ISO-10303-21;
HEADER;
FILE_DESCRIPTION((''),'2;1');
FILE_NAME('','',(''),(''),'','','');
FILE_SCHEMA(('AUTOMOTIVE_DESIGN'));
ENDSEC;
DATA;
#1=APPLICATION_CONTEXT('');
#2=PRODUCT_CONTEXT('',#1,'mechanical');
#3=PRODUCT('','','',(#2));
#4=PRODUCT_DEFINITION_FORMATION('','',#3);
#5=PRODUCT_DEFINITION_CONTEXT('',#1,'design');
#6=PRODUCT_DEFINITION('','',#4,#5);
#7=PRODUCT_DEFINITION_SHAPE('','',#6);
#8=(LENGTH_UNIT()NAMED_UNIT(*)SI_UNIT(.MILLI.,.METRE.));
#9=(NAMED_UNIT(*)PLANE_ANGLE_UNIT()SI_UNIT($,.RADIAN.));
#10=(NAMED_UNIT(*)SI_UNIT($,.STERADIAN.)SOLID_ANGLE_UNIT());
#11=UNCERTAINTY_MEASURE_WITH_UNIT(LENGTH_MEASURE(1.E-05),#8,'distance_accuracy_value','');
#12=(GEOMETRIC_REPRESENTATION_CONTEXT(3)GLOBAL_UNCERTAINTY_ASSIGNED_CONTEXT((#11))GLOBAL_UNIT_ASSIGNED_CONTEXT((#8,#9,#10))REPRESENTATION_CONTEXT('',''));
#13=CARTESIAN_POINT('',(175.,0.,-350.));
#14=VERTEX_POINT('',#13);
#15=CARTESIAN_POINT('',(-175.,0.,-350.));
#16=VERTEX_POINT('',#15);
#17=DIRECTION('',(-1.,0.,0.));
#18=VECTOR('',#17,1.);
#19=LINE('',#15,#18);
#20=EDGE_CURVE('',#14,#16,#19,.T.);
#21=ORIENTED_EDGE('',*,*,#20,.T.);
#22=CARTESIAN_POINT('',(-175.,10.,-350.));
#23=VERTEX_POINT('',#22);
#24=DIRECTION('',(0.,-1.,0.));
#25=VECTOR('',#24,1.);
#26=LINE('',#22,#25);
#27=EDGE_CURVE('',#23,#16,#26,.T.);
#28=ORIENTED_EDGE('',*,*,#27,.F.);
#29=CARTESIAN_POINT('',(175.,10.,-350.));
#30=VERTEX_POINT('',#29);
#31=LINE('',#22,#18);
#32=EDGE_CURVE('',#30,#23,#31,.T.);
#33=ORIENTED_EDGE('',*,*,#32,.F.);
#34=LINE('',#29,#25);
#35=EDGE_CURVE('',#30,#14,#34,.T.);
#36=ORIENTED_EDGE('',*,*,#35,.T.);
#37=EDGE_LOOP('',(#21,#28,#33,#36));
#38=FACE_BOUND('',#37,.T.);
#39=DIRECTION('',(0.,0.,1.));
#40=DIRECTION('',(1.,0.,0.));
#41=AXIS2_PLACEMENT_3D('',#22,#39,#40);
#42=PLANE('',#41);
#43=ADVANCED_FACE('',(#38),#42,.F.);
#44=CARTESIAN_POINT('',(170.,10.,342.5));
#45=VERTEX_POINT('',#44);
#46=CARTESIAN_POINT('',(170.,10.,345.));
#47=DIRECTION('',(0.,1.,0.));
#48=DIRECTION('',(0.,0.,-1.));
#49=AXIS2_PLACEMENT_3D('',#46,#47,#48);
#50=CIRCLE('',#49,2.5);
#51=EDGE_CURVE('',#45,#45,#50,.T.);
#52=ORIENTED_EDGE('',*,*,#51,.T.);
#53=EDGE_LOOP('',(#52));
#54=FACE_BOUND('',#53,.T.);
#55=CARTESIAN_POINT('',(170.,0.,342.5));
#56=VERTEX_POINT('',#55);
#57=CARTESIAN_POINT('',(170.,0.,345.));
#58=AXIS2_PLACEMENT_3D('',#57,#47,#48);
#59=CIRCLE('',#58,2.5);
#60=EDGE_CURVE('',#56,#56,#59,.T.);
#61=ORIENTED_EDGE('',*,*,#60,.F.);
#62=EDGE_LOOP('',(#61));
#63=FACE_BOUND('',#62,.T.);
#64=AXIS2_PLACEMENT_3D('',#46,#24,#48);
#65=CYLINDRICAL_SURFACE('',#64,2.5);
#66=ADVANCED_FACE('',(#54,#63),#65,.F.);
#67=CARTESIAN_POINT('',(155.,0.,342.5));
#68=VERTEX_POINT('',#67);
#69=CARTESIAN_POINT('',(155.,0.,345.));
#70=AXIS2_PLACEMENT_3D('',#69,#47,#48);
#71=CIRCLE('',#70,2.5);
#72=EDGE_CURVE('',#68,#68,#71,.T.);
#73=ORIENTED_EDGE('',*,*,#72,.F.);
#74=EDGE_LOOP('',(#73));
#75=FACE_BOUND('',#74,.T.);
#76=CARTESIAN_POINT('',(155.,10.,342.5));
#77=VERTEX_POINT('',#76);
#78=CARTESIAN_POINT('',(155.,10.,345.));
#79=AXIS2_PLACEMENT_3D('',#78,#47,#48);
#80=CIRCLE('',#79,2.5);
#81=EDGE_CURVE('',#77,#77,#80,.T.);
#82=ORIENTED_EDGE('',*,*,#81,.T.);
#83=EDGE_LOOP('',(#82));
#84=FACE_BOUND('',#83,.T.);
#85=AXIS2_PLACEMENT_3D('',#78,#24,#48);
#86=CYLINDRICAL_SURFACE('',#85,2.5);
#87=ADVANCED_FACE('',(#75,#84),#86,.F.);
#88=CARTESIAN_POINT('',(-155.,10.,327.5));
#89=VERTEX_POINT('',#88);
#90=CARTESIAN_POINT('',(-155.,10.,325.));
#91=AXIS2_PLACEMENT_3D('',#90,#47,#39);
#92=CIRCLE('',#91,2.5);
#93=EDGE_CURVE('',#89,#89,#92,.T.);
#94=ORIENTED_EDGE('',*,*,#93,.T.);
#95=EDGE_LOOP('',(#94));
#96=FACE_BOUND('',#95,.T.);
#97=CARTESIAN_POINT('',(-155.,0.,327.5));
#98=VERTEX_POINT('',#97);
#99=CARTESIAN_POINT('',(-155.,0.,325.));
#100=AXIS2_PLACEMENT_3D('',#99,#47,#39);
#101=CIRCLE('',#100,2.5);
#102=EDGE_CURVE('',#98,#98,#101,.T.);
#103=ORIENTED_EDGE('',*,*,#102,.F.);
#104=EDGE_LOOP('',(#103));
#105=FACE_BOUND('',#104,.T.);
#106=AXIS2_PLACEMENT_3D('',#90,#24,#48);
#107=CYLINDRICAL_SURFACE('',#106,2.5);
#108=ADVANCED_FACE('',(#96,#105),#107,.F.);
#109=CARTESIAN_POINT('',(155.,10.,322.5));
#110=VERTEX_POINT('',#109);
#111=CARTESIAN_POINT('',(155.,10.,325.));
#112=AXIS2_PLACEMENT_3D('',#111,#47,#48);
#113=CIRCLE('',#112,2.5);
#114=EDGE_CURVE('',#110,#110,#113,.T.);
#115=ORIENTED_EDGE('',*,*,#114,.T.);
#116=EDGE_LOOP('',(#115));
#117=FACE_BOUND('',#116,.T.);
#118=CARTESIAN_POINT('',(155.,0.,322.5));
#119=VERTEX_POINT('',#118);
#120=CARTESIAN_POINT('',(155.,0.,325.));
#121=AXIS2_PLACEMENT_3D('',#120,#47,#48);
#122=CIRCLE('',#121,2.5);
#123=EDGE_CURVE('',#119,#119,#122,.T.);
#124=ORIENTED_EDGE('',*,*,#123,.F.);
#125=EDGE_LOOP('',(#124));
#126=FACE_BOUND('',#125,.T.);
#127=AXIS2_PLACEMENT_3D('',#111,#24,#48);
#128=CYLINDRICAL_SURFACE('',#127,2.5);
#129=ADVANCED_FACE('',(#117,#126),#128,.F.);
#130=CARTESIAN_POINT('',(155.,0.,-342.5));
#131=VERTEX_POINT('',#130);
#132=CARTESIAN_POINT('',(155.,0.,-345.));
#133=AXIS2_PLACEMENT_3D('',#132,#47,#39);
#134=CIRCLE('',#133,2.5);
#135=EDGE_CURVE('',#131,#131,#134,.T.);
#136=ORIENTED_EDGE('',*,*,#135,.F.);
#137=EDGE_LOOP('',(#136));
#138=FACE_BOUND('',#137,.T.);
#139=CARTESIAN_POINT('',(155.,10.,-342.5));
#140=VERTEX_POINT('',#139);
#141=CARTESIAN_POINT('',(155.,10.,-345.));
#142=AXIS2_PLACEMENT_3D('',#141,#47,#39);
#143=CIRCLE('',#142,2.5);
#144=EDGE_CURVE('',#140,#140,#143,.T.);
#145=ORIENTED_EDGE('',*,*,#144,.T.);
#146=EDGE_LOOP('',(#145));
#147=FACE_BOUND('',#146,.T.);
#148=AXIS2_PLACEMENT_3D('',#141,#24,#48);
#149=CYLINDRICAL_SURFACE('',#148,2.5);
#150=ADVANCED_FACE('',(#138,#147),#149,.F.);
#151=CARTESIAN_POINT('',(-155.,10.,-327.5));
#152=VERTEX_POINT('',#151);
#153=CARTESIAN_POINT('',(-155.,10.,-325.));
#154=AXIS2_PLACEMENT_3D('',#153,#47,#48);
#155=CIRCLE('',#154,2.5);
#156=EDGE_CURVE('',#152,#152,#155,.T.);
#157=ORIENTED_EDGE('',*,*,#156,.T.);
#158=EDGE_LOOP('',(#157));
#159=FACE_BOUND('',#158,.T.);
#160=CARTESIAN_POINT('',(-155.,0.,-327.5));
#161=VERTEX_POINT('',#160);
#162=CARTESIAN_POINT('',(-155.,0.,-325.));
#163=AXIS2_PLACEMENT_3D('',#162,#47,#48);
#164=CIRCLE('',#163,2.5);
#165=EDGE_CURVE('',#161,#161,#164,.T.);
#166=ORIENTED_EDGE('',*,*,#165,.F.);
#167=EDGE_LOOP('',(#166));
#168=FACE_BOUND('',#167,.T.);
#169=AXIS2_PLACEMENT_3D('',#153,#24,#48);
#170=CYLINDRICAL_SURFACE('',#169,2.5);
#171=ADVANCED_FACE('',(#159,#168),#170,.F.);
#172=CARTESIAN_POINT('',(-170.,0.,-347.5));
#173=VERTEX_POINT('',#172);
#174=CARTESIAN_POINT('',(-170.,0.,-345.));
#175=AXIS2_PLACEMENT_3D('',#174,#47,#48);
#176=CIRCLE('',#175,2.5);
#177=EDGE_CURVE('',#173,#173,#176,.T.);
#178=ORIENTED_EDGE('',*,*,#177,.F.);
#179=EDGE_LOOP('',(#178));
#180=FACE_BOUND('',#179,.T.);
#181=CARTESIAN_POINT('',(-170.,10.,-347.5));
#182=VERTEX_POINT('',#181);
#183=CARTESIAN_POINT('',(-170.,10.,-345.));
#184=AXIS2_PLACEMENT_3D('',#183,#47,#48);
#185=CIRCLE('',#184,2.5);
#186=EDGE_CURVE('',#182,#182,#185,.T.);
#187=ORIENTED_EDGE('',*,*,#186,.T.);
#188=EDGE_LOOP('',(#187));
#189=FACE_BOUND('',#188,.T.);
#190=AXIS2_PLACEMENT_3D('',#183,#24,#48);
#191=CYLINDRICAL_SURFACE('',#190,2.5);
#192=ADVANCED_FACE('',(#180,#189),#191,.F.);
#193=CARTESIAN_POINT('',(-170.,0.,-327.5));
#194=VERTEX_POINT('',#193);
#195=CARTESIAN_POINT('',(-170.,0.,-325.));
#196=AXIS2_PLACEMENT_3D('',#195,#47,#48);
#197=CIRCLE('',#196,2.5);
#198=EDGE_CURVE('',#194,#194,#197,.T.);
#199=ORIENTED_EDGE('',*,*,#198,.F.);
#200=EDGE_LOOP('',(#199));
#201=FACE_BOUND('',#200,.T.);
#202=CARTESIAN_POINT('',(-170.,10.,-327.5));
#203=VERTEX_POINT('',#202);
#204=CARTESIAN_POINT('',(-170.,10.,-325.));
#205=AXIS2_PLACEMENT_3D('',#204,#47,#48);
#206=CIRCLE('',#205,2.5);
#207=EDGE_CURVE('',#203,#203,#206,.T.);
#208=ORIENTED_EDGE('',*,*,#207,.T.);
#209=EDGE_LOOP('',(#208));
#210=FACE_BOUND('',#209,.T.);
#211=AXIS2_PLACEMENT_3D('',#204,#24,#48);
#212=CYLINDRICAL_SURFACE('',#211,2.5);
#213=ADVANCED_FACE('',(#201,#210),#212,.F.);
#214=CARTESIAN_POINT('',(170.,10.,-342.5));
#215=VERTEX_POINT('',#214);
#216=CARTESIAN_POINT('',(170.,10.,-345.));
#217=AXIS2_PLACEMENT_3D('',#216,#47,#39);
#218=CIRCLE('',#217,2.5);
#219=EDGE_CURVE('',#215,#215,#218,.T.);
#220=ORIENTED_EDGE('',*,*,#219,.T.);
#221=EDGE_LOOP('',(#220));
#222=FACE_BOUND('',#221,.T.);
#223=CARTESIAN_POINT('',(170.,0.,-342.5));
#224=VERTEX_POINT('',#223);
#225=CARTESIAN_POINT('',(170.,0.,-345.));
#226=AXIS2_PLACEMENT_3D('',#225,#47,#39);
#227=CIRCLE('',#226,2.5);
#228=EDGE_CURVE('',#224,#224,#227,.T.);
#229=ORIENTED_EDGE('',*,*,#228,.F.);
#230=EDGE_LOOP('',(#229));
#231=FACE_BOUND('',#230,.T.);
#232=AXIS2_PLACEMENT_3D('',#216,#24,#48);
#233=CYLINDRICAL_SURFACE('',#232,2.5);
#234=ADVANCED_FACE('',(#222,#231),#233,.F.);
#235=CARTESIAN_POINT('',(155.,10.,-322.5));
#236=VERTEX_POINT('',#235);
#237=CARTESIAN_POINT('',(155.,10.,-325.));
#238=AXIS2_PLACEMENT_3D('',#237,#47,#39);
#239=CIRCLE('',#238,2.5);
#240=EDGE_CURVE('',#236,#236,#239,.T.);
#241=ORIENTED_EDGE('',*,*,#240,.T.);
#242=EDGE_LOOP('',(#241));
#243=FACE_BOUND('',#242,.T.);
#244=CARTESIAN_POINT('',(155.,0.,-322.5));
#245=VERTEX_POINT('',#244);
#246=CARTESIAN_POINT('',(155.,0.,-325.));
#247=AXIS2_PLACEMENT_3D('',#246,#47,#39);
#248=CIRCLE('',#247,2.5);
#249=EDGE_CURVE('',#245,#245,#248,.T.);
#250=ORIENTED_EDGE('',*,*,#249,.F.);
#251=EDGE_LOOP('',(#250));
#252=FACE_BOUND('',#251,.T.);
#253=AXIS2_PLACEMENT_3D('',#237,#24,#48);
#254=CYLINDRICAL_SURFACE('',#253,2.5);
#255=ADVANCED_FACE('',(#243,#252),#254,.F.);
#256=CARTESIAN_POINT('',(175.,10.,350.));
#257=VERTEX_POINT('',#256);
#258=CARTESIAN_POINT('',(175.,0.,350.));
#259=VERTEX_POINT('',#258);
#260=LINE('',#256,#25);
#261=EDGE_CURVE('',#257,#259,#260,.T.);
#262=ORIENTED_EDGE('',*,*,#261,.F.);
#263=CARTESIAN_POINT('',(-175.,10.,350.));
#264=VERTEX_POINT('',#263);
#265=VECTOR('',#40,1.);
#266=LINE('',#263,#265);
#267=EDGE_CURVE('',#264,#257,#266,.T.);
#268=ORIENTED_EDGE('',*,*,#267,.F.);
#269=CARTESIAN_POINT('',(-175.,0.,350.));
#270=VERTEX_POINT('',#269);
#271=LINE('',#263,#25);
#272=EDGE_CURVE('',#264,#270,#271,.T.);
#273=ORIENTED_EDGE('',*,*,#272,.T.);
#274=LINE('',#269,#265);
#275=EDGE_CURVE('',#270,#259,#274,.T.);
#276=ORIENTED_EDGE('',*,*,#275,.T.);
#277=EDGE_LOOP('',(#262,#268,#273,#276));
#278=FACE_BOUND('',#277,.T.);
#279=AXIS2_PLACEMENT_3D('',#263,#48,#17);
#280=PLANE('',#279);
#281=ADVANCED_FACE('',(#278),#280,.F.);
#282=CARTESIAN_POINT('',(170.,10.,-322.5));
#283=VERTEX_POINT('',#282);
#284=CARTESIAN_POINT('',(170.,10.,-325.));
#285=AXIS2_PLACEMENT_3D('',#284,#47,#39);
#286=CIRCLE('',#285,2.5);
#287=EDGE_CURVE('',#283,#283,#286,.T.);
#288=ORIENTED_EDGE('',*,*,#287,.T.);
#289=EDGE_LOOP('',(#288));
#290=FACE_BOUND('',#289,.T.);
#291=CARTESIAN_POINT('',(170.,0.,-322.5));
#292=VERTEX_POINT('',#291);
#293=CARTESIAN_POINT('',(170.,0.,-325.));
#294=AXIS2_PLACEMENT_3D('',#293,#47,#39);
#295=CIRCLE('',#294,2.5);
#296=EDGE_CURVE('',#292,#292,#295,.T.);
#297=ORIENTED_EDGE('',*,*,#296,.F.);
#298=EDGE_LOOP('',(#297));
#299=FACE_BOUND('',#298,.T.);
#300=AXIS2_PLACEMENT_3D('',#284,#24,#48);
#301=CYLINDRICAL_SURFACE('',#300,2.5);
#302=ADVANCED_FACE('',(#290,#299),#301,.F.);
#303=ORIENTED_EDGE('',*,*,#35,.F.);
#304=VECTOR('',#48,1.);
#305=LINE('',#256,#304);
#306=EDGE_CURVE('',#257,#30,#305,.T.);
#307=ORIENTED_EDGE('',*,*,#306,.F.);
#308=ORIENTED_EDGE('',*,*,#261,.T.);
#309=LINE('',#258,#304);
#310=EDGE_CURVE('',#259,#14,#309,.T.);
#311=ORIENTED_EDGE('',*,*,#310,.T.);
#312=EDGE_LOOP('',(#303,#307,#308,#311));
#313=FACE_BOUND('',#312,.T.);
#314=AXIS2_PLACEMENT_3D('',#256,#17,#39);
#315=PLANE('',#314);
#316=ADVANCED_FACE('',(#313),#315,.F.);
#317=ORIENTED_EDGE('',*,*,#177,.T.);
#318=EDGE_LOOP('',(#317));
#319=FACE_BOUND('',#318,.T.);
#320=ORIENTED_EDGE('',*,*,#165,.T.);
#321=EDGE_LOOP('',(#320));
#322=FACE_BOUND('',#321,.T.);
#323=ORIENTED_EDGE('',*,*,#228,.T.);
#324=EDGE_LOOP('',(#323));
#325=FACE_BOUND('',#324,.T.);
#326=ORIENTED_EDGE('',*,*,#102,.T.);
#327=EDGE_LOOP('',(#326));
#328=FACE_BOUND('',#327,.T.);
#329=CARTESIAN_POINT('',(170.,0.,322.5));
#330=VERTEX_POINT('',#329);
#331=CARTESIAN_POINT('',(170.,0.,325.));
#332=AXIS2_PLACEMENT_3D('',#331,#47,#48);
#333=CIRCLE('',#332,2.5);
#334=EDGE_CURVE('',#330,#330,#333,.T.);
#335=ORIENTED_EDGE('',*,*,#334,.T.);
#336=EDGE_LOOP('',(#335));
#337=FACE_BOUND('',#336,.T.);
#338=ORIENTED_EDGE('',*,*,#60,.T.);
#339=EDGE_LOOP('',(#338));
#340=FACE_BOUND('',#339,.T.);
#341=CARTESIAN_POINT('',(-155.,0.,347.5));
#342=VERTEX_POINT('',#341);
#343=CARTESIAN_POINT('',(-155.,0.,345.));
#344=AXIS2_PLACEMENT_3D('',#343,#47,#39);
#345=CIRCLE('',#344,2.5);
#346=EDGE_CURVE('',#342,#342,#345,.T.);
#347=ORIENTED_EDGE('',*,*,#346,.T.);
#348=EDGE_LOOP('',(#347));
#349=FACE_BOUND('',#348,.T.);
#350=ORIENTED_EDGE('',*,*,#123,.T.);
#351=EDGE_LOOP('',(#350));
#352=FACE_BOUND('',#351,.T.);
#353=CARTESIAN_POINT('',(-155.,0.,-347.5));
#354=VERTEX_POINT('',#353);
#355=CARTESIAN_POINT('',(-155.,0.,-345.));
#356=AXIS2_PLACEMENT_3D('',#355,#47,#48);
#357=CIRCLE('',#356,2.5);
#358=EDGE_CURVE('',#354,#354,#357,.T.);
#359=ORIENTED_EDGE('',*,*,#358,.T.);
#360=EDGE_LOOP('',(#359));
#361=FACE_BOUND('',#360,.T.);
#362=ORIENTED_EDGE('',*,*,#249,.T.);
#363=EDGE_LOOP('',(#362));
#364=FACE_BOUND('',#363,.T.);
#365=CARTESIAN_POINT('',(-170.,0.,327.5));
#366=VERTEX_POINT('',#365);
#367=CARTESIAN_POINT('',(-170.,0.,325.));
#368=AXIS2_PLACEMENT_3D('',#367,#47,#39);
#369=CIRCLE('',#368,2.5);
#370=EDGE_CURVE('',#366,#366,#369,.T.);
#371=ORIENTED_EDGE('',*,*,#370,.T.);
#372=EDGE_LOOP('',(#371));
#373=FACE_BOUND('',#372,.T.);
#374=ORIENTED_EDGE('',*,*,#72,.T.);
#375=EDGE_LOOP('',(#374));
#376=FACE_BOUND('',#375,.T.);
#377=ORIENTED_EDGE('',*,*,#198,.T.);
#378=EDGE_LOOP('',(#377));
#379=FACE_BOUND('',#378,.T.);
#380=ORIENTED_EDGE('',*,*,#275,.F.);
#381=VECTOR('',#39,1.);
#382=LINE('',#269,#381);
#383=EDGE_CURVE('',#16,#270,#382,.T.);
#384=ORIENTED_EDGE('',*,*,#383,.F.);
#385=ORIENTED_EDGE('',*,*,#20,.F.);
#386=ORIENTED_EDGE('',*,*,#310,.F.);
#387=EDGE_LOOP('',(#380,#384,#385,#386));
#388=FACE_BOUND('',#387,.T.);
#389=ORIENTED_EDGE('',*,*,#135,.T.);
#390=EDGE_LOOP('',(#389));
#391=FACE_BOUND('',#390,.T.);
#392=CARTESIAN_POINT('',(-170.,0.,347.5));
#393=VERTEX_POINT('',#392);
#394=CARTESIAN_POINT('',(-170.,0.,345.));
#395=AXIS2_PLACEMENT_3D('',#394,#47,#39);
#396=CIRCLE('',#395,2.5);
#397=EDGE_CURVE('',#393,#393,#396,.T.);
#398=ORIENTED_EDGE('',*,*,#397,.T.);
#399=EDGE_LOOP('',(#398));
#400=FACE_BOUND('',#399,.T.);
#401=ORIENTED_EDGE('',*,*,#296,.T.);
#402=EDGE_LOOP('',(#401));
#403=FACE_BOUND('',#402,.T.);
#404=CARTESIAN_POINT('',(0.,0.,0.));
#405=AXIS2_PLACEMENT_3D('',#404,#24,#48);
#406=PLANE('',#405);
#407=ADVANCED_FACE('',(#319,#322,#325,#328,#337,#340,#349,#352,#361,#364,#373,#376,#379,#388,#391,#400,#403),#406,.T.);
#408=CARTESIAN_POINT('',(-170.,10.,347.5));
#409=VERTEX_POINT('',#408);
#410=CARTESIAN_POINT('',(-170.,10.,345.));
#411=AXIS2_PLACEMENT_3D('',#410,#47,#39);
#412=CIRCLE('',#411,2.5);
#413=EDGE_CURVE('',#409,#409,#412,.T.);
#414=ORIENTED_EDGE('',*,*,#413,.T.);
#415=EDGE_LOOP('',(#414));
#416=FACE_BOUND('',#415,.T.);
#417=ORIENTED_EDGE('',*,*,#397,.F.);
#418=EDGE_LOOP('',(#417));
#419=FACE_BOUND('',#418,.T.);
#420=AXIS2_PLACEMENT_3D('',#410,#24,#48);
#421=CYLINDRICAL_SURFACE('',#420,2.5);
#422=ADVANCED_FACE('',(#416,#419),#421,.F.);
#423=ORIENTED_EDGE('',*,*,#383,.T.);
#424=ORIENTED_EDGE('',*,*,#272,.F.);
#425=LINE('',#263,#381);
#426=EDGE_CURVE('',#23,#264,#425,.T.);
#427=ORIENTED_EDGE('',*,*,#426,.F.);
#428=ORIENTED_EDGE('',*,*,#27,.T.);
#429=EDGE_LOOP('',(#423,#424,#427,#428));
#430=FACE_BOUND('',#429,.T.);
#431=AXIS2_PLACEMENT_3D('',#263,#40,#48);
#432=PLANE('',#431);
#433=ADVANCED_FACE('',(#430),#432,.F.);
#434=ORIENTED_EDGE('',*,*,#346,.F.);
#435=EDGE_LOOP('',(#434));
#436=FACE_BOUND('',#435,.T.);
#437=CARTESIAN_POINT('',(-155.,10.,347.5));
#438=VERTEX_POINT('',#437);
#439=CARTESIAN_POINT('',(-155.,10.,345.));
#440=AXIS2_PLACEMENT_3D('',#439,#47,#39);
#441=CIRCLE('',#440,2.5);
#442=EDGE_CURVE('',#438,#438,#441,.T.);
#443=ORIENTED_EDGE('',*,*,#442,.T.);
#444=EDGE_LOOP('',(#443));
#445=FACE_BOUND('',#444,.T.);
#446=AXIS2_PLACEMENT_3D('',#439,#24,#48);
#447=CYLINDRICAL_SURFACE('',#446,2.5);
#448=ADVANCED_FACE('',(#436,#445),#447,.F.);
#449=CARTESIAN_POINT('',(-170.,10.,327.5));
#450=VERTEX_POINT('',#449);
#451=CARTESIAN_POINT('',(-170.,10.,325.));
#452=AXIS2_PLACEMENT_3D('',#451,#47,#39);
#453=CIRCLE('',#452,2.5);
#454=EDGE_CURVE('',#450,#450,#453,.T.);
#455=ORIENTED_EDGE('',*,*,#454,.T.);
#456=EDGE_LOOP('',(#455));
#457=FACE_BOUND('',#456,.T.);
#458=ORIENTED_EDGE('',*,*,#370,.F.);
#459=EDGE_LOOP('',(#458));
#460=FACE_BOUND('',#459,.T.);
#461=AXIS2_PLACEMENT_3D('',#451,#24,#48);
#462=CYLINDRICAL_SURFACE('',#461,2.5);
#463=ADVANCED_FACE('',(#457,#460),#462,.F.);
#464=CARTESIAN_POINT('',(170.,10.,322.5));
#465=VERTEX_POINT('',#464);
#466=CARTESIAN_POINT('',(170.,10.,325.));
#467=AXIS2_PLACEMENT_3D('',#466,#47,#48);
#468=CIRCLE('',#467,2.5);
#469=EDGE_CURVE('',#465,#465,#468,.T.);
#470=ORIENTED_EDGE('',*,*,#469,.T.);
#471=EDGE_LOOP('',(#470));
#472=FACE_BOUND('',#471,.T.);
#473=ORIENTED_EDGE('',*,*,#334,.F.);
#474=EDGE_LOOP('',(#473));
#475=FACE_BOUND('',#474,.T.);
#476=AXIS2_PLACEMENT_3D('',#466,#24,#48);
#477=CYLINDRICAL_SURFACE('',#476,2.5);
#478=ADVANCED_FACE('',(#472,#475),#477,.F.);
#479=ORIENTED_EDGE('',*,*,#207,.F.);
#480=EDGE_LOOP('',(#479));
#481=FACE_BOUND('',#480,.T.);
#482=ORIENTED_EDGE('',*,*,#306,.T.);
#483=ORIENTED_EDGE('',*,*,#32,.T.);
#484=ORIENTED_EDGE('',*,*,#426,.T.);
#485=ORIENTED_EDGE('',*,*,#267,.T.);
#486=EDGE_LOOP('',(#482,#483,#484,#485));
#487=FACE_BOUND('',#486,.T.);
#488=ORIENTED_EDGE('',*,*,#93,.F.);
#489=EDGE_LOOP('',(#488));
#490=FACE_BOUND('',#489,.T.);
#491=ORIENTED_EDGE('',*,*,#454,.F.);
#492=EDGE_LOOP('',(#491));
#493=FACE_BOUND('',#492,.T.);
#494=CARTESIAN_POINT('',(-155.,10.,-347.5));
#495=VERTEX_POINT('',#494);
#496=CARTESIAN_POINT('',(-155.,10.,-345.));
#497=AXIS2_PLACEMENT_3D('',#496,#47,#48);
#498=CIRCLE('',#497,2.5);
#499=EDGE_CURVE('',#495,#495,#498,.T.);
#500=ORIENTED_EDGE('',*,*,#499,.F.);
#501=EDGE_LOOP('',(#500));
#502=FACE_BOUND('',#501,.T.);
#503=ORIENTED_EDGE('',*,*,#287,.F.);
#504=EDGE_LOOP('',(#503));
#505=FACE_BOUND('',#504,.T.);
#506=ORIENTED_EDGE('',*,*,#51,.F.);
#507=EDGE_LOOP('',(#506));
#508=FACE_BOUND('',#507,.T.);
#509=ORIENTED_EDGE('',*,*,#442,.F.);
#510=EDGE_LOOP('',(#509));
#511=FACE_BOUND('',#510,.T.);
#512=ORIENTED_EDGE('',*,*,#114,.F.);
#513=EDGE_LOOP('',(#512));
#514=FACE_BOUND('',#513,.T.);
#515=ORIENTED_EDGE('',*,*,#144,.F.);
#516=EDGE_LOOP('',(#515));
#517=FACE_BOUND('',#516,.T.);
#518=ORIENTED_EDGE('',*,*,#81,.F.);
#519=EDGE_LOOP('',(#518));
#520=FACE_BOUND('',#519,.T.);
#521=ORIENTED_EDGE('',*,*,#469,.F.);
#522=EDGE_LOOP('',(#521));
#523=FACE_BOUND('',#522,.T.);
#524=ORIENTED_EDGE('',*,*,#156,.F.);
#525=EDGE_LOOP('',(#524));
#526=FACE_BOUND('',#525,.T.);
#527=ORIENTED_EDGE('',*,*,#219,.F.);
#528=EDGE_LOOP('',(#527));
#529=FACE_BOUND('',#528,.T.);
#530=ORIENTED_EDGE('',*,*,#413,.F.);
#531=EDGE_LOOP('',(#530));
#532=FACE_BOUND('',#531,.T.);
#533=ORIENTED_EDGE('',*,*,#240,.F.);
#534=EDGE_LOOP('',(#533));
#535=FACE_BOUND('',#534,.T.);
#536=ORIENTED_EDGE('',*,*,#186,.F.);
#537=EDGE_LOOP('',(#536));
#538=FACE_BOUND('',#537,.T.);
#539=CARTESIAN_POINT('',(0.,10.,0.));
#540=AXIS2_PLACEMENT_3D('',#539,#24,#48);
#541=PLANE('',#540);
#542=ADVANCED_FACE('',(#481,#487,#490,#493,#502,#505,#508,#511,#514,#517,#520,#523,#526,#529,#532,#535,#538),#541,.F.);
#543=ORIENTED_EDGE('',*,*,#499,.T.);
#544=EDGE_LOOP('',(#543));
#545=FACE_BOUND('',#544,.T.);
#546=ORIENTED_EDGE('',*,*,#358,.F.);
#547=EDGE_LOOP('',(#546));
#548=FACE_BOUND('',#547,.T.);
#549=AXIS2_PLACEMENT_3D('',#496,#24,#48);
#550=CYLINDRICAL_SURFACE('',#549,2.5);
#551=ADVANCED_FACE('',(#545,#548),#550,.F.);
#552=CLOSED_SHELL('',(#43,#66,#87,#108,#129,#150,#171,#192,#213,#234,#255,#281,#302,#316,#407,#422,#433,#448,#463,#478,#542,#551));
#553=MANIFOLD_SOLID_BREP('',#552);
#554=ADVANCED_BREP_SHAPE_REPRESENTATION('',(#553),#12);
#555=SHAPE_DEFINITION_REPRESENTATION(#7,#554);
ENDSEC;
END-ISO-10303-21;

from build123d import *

# Parameters (mm, degrees)
SKETCH_1_W      = 350
SKETCH_1_H      = 700
SKETCH_1_R      = 2.5
EXTRUDE_1_DEPTH = 10


with BuildPart() as part:
    # Эскиз1 → Бобышка-Вытянуть1 (new body)
    with BuildSketch(Plane(origin=(0, 0, 0), x_dir=(1, 0, 0), z_dir=(0, 1, 0))):
        Rectangle(SKETCH_1_W, SKETCH_1_H)
        with Locations(Location((170, 345, 0), (0, 0, 270))):
            Circle(SKETCH_1_R, mode=Mode.SUBTRACT)
        with Locations(Location((155, 345, 0), (0, 0, 270))):
            Circle(SKETCH_1_R, mode=Mode.SUBTRACT)
        with Locations(Location((155, 325, 0), (0, 0, 270))):
            Circle(SKETCH_1_R, mode=Mode.SUBTRACT)
        with Locations(Location((170, 325, 0), (0, 0, 270))):
            Circle(SKETCH_1_R, mode=Mode.SUBTRACT)
        with Locations(Location((-170, 325, 0), (0, 0, 90))):
            Circle(SKETCH_1_R, mode=Mode.SUBTRACT)
        with Locations(Location((-155, 325, 0), (0, 0, 90))):
            Circle(SKETCH_1_R, mode=Mode.SUBTRACT)
        with Locations(Location((-155, 345, 0), (0, 0, 90))):
            Circle(SKETCH_1_R, mode=Mode.SUBTRACT)
        with Locations(Location((-170, 345, 0), (0, 0, 90))):
            Circle(SKETCH_1_R, mode=Mode.SUBTRACT)
        with Locations(Location((-170, -345, 0), (0, 0, 270))):
            Circle(SKETCH_1_R, mode=Mode.SUBTRACT)
        with Locations(Location((-155, -345, 0), (0, 0, 270))):
            Circle(SKETCH_1_R, mode=Mode.SUBTRACT)
        with Locations(Location((-155, -325, 0), (0, 0, 270))):
            Circle(SKETCH_1_R, mode=Mode.SUBTRACT)
        with Locations(Location((-170, -325, 0), (0, 0, 270))):
            Circle(SKETCH_1_R, mode=Mode.SUBTRACT)
        with Locations(Location((170, -325, 0), (0, 0, 90))):
            Circle(SKETCH_1_R, mode=Mode.SUBTRACT)
        with Locations(Location((155, -325, 0), (0, 0, 90))):
            Circle(SKETCH_1_R, mode=Mode.SUBTRACT)
        with Locations(Location((155, -345, 0), (0, 0, 90))):
            Circle(SKETCH_1_R, mode=Mode.SUBTRACT)
        with Locations(Location((170, -345, 0), (0, 0, 90))):
            Circle(SKETCH_1_R, mode=Mode.SUBTRACT)
    extrude(amount=EXTRUDE_1_DEPTH)


solid = part.part
